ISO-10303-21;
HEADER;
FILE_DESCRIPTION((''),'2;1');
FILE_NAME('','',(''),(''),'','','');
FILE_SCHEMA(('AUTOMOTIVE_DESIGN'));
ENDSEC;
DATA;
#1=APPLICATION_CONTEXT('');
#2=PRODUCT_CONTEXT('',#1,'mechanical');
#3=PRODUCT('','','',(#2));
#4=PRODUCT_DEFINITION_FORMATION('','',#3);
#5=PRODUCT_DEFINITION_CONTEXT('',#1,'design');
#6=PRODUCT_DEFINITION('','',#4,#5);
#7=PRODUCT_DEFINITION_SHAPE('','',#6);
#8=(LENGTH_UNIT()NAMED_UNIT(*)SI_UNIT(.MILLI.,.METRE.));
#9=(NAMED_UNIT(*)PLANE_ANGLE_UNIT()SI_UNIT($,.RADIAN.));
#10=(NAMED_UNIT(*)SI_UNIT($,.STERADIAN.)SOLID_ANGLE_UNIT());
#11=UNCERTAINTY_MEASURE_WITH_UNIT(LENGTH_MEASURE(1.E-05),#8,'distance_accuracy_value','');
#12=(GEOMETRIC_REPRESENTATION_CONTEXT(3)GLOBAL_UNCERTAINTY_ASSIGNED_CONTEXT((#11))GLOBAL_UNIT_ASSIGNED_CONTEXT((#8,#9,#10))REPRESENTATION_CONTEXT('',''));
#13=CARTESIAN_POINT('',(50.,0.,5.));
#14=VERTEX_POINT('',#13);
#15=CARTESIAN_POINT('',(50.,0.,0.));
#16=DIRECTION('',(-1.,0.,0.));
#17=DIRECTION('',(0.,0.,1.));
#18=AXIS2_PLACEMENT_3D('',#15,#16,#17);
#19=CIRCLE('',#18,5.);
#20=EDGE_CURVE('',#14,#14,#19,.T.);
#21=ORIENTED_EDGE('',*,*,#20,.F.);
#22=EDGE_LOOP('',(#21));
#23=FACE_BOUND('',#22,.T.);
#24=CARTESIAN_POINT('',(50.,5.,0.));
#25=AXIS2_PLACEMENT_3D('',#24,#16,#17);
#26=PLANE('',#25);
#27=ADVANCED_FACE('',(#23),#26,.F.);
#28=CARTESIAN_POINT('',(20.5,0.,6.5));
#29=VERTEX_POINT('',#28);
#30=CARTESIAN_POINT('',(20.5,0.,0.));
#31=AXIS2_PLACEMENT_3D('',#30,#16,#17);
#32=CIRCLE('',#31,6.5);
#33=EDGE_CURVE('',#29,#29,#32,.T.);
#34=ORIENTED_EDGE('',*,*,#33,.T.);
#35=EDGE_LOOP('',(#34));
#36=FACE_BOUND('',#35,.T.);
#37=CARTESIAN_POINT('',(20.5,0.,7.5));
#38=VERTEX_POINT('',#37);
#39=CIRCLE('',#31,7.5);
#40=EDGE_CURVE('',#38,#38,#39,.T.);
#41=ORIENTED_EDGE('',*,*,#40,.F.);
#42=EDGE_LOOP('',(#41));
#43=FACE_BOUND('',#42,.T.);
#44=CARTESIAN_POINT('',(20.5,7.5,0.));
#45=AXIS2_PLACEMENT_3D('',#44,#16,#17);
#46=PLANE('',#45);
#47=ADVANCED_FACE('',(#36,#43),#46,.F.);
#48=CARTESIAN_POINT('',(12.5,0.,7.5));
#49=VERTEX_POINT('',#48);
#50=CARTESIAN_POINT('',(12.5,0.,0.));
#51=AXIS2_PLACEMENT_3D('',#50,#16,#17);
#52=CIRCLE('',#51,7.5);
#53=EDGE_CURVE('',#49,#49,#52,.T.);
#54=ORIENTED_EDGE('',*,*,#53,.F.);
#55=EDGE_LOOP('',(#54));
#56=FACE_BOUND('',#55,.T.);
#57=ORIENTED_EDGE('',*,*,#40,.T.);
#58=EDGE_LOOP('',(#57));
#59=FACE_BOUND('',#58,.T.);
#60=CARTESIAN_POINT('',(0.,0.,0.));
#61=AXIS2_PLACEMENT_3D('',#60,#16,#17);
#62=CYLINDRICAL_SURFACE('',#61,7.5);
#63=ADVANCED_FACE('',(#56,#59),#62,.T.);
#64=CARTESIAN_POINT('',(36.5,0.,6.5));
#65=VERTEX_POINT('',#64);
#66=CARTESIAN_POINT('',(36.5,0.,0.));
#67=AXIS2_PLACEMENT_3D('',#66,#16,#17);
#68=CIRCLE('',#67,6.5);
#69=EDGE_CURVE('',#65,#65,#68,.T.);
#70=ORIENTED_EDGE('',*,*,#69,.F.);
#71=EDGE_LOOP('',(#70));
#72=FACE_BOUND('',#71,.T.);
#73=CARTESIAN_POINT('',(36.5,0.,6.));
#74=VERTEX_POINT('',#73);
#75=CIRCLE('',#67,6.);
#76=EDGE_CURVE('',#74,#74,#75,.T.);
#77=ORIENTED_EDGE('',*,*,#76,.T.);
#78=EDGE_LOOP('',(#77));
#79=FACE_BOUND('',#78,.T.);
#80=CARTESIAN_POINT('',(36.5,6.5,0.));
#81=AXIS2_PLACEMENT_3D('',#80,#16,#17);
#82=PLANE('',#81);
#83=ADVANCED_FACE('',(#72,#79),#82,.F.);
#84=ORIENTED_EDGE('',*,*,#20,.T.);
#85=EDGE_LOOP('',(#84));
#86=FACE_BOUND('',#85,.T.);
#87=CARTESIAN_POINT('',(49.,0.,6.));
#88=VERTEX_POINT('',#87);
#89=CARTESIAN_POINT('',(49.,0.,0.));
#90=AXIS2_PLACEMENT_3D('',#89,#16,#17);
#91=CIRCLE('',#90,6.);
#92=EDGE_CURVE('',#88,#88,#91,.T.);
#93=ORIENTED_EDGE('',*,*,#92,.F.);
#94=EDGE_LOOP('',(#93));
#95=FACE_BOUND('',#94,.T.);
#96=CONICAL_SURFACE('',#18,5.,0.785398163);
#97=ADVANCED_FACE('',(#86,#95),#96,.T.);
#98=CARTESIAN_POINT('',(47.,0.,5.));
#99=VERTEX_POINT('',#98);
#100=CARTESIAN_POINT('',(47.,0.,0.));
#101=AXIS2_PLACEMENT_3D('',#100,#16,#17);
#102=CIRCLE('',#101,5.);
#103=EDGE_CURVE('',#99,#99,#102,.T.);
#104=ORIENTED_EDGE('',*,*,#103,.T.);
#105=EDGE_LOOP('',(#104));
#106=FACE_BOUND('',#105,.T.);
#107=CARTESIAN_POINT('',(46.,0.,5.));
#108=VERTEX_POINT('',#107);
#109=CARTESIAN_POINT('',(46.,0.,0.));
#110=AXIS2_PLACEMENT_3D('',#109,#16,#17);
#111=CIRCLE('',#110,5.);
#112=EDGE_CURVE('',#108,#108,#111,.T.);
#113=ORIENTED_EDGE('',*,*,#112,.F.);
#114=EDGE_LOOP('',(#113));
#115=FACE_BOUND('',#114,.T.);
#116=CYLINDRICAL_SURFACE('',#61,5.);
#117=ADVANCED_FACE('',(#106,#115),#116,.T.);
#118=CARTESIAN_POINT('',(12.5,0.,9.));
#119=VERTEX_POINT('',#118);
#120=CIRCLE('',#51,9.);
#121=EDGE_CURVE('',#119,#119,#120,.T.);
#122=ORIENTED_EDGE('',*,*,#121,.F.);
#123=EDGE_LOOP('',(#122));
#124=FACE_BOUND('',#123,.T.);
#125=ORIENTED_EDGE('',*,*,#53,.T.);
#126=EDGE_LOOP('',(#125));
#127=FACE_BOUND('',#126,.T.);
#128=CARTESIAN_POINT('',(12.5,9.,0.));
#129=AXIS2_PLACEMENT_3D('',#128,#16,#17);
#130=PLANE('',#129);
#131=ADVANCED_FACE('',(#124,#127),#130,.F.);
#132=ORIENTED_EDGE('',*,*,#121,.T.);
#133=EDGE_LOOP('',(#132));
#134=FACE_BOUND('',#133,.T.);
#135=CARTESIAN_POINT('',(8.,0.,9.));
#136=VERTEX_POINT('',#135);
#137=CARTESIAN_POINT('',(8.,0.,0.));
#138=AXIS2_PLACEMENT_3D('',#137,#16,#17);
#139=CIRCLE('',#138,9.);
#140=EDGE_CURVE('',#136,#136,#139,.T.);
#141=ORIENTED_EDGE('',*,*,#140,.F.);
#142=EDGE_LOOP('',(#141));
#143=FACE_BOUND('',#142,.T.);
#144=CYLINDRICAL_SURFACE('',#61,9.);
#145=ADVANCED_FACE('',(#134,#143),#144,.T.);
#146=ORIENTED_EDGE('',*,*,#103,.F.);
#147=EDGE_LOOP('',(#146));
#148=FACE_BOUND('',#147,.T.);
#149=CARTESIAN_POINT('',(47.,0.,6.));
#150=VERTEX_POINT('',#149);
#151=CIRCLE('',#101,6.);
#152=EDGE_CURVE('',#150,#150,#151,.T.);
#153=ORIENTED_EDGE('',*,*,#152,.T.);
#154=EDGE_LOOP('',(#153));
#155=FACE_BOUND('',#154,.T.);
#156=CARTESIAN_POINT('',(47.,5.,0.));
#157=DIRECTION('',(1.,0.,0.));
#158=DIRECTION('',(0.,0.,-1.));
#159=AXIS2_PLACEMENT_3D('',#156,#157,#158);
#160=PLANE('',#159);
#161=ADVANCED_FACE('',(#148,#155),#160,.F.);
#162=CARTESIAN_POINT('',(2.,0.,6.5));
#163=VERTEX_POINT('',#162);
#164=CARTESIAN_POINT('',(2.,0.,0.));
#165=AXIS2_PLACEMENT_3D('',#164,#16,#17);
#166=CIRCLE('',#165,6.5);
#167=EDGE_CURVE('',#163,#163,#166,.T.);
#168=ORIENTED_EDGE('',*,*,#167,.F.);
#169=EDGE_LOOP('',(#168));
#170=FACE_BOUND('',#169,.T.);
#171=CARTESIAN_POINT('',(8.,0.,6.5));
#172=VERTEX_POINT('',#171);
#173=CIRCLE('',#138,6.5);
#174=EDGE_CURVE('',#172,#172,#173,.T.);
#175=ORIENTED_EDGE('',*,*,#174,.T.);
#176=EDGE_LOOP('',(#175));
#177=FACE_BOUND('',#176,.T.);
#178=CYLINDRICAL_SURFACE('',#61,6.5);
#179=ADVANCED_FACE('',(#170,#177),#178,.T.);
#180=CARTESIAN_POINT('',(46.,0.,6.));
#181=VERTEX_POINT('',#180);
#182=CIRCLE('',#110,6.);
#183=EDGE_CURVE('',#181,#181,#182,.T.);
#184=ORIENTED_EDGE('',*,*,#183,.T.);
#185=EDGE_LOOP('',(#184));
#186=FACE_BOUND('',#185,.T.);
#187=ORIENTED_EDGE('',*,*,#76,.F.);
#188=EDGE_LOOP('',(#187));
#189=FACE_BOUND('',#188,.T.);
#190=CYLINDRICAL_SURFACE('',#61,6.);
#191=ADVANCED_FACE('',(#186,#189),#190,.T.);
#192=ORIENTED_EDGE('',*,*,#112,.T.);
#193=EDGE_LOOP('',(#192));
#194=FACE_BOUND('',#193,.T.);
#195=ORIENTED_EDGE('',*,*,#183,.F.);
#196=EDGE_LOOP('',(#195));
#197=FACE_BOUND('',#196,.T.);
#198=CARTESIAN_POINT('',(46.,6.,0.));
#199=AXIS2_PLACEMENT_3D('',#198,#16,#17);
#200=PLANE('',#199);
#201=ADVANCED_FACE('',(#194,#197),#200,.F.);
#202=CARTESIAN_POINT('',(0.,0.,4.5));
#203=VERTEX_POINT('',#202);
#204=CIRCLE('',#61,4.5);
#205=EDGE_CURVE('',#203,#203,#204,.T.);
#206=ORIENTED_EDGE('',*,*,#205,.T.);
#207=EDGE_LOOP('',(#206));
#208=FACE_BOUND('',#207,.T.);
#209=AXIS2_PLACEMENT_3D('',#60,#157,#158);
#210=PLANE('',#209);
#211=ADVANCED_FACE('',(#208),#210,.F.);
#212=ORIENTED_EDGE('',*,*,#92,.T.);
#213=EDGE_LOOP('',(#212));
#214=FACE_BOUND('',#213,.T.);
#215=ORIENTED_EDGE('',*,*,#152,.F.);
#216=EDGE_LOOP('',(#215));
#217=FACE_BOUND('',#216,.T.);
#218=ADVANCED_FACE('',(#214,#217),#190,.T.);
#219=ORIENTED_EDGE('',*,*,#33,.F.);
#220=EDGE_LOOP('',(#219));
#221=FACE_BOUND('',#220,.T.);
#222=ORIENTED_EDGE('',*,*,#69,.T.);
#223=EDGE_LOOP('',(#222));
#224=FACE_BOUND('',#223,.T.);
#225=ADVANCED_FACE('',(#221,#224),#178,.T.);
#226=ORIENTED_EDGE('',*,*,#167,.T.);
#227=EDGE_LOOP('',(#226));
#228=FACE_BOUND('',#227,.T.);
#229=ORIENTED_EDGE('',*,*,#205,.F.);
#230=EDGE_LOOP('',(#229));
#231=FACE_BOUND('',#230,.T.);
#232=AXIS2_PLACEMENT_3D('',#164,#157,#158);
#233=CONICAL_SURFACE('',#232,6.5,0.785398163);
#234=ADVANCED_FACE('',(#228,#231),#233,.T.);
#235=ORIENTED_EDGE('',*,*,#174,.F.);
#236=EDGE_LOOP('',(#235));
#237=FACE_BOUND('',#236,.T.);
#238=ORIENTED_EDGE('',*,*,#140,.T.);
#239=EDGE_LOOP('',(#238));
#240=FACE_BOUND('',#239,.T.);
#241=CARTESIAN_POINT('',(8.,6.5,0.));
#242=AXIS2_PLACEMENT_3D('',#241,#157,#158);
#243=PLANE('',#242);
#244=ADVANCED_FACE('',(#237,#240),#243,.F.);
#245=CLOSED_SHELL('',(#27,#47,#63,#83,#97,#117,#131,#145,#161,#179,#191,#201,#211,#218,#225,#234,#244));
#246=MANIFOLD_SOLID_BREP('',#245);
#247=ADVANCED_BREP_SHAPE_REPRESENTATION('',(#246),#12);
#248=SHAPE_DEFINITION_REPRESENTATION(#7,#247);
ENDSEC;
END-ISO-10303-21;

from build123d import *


with BuildPart() as part:
    # Esquisse1 → Base-Révolution (revolve)
    with BuildSketch(Plane.XY, mode=Mode.PRIVATE) as base_r_volution_sk:
        Polygon((0, 0), (0, 4.5), (2, 6.5), (8, 6.5), (8, 9), (12.5, 9), (12.5, 7.5), (20.5, 7.5), (20.5, 6.5), (36.5, 6.5), (36.5, 6), (46, 6), (46, 5), (47, 5), (47, 6), (49, 6), (50, 5), (50, 0), align=None)
    revolve(base_r_volution_sk.sketch.rotate(Axis((0, 0, 0), (1, 0, 0)), 90), axis=Axis((0, 0, 0), (1, 0, 0)))


solid = part.part
